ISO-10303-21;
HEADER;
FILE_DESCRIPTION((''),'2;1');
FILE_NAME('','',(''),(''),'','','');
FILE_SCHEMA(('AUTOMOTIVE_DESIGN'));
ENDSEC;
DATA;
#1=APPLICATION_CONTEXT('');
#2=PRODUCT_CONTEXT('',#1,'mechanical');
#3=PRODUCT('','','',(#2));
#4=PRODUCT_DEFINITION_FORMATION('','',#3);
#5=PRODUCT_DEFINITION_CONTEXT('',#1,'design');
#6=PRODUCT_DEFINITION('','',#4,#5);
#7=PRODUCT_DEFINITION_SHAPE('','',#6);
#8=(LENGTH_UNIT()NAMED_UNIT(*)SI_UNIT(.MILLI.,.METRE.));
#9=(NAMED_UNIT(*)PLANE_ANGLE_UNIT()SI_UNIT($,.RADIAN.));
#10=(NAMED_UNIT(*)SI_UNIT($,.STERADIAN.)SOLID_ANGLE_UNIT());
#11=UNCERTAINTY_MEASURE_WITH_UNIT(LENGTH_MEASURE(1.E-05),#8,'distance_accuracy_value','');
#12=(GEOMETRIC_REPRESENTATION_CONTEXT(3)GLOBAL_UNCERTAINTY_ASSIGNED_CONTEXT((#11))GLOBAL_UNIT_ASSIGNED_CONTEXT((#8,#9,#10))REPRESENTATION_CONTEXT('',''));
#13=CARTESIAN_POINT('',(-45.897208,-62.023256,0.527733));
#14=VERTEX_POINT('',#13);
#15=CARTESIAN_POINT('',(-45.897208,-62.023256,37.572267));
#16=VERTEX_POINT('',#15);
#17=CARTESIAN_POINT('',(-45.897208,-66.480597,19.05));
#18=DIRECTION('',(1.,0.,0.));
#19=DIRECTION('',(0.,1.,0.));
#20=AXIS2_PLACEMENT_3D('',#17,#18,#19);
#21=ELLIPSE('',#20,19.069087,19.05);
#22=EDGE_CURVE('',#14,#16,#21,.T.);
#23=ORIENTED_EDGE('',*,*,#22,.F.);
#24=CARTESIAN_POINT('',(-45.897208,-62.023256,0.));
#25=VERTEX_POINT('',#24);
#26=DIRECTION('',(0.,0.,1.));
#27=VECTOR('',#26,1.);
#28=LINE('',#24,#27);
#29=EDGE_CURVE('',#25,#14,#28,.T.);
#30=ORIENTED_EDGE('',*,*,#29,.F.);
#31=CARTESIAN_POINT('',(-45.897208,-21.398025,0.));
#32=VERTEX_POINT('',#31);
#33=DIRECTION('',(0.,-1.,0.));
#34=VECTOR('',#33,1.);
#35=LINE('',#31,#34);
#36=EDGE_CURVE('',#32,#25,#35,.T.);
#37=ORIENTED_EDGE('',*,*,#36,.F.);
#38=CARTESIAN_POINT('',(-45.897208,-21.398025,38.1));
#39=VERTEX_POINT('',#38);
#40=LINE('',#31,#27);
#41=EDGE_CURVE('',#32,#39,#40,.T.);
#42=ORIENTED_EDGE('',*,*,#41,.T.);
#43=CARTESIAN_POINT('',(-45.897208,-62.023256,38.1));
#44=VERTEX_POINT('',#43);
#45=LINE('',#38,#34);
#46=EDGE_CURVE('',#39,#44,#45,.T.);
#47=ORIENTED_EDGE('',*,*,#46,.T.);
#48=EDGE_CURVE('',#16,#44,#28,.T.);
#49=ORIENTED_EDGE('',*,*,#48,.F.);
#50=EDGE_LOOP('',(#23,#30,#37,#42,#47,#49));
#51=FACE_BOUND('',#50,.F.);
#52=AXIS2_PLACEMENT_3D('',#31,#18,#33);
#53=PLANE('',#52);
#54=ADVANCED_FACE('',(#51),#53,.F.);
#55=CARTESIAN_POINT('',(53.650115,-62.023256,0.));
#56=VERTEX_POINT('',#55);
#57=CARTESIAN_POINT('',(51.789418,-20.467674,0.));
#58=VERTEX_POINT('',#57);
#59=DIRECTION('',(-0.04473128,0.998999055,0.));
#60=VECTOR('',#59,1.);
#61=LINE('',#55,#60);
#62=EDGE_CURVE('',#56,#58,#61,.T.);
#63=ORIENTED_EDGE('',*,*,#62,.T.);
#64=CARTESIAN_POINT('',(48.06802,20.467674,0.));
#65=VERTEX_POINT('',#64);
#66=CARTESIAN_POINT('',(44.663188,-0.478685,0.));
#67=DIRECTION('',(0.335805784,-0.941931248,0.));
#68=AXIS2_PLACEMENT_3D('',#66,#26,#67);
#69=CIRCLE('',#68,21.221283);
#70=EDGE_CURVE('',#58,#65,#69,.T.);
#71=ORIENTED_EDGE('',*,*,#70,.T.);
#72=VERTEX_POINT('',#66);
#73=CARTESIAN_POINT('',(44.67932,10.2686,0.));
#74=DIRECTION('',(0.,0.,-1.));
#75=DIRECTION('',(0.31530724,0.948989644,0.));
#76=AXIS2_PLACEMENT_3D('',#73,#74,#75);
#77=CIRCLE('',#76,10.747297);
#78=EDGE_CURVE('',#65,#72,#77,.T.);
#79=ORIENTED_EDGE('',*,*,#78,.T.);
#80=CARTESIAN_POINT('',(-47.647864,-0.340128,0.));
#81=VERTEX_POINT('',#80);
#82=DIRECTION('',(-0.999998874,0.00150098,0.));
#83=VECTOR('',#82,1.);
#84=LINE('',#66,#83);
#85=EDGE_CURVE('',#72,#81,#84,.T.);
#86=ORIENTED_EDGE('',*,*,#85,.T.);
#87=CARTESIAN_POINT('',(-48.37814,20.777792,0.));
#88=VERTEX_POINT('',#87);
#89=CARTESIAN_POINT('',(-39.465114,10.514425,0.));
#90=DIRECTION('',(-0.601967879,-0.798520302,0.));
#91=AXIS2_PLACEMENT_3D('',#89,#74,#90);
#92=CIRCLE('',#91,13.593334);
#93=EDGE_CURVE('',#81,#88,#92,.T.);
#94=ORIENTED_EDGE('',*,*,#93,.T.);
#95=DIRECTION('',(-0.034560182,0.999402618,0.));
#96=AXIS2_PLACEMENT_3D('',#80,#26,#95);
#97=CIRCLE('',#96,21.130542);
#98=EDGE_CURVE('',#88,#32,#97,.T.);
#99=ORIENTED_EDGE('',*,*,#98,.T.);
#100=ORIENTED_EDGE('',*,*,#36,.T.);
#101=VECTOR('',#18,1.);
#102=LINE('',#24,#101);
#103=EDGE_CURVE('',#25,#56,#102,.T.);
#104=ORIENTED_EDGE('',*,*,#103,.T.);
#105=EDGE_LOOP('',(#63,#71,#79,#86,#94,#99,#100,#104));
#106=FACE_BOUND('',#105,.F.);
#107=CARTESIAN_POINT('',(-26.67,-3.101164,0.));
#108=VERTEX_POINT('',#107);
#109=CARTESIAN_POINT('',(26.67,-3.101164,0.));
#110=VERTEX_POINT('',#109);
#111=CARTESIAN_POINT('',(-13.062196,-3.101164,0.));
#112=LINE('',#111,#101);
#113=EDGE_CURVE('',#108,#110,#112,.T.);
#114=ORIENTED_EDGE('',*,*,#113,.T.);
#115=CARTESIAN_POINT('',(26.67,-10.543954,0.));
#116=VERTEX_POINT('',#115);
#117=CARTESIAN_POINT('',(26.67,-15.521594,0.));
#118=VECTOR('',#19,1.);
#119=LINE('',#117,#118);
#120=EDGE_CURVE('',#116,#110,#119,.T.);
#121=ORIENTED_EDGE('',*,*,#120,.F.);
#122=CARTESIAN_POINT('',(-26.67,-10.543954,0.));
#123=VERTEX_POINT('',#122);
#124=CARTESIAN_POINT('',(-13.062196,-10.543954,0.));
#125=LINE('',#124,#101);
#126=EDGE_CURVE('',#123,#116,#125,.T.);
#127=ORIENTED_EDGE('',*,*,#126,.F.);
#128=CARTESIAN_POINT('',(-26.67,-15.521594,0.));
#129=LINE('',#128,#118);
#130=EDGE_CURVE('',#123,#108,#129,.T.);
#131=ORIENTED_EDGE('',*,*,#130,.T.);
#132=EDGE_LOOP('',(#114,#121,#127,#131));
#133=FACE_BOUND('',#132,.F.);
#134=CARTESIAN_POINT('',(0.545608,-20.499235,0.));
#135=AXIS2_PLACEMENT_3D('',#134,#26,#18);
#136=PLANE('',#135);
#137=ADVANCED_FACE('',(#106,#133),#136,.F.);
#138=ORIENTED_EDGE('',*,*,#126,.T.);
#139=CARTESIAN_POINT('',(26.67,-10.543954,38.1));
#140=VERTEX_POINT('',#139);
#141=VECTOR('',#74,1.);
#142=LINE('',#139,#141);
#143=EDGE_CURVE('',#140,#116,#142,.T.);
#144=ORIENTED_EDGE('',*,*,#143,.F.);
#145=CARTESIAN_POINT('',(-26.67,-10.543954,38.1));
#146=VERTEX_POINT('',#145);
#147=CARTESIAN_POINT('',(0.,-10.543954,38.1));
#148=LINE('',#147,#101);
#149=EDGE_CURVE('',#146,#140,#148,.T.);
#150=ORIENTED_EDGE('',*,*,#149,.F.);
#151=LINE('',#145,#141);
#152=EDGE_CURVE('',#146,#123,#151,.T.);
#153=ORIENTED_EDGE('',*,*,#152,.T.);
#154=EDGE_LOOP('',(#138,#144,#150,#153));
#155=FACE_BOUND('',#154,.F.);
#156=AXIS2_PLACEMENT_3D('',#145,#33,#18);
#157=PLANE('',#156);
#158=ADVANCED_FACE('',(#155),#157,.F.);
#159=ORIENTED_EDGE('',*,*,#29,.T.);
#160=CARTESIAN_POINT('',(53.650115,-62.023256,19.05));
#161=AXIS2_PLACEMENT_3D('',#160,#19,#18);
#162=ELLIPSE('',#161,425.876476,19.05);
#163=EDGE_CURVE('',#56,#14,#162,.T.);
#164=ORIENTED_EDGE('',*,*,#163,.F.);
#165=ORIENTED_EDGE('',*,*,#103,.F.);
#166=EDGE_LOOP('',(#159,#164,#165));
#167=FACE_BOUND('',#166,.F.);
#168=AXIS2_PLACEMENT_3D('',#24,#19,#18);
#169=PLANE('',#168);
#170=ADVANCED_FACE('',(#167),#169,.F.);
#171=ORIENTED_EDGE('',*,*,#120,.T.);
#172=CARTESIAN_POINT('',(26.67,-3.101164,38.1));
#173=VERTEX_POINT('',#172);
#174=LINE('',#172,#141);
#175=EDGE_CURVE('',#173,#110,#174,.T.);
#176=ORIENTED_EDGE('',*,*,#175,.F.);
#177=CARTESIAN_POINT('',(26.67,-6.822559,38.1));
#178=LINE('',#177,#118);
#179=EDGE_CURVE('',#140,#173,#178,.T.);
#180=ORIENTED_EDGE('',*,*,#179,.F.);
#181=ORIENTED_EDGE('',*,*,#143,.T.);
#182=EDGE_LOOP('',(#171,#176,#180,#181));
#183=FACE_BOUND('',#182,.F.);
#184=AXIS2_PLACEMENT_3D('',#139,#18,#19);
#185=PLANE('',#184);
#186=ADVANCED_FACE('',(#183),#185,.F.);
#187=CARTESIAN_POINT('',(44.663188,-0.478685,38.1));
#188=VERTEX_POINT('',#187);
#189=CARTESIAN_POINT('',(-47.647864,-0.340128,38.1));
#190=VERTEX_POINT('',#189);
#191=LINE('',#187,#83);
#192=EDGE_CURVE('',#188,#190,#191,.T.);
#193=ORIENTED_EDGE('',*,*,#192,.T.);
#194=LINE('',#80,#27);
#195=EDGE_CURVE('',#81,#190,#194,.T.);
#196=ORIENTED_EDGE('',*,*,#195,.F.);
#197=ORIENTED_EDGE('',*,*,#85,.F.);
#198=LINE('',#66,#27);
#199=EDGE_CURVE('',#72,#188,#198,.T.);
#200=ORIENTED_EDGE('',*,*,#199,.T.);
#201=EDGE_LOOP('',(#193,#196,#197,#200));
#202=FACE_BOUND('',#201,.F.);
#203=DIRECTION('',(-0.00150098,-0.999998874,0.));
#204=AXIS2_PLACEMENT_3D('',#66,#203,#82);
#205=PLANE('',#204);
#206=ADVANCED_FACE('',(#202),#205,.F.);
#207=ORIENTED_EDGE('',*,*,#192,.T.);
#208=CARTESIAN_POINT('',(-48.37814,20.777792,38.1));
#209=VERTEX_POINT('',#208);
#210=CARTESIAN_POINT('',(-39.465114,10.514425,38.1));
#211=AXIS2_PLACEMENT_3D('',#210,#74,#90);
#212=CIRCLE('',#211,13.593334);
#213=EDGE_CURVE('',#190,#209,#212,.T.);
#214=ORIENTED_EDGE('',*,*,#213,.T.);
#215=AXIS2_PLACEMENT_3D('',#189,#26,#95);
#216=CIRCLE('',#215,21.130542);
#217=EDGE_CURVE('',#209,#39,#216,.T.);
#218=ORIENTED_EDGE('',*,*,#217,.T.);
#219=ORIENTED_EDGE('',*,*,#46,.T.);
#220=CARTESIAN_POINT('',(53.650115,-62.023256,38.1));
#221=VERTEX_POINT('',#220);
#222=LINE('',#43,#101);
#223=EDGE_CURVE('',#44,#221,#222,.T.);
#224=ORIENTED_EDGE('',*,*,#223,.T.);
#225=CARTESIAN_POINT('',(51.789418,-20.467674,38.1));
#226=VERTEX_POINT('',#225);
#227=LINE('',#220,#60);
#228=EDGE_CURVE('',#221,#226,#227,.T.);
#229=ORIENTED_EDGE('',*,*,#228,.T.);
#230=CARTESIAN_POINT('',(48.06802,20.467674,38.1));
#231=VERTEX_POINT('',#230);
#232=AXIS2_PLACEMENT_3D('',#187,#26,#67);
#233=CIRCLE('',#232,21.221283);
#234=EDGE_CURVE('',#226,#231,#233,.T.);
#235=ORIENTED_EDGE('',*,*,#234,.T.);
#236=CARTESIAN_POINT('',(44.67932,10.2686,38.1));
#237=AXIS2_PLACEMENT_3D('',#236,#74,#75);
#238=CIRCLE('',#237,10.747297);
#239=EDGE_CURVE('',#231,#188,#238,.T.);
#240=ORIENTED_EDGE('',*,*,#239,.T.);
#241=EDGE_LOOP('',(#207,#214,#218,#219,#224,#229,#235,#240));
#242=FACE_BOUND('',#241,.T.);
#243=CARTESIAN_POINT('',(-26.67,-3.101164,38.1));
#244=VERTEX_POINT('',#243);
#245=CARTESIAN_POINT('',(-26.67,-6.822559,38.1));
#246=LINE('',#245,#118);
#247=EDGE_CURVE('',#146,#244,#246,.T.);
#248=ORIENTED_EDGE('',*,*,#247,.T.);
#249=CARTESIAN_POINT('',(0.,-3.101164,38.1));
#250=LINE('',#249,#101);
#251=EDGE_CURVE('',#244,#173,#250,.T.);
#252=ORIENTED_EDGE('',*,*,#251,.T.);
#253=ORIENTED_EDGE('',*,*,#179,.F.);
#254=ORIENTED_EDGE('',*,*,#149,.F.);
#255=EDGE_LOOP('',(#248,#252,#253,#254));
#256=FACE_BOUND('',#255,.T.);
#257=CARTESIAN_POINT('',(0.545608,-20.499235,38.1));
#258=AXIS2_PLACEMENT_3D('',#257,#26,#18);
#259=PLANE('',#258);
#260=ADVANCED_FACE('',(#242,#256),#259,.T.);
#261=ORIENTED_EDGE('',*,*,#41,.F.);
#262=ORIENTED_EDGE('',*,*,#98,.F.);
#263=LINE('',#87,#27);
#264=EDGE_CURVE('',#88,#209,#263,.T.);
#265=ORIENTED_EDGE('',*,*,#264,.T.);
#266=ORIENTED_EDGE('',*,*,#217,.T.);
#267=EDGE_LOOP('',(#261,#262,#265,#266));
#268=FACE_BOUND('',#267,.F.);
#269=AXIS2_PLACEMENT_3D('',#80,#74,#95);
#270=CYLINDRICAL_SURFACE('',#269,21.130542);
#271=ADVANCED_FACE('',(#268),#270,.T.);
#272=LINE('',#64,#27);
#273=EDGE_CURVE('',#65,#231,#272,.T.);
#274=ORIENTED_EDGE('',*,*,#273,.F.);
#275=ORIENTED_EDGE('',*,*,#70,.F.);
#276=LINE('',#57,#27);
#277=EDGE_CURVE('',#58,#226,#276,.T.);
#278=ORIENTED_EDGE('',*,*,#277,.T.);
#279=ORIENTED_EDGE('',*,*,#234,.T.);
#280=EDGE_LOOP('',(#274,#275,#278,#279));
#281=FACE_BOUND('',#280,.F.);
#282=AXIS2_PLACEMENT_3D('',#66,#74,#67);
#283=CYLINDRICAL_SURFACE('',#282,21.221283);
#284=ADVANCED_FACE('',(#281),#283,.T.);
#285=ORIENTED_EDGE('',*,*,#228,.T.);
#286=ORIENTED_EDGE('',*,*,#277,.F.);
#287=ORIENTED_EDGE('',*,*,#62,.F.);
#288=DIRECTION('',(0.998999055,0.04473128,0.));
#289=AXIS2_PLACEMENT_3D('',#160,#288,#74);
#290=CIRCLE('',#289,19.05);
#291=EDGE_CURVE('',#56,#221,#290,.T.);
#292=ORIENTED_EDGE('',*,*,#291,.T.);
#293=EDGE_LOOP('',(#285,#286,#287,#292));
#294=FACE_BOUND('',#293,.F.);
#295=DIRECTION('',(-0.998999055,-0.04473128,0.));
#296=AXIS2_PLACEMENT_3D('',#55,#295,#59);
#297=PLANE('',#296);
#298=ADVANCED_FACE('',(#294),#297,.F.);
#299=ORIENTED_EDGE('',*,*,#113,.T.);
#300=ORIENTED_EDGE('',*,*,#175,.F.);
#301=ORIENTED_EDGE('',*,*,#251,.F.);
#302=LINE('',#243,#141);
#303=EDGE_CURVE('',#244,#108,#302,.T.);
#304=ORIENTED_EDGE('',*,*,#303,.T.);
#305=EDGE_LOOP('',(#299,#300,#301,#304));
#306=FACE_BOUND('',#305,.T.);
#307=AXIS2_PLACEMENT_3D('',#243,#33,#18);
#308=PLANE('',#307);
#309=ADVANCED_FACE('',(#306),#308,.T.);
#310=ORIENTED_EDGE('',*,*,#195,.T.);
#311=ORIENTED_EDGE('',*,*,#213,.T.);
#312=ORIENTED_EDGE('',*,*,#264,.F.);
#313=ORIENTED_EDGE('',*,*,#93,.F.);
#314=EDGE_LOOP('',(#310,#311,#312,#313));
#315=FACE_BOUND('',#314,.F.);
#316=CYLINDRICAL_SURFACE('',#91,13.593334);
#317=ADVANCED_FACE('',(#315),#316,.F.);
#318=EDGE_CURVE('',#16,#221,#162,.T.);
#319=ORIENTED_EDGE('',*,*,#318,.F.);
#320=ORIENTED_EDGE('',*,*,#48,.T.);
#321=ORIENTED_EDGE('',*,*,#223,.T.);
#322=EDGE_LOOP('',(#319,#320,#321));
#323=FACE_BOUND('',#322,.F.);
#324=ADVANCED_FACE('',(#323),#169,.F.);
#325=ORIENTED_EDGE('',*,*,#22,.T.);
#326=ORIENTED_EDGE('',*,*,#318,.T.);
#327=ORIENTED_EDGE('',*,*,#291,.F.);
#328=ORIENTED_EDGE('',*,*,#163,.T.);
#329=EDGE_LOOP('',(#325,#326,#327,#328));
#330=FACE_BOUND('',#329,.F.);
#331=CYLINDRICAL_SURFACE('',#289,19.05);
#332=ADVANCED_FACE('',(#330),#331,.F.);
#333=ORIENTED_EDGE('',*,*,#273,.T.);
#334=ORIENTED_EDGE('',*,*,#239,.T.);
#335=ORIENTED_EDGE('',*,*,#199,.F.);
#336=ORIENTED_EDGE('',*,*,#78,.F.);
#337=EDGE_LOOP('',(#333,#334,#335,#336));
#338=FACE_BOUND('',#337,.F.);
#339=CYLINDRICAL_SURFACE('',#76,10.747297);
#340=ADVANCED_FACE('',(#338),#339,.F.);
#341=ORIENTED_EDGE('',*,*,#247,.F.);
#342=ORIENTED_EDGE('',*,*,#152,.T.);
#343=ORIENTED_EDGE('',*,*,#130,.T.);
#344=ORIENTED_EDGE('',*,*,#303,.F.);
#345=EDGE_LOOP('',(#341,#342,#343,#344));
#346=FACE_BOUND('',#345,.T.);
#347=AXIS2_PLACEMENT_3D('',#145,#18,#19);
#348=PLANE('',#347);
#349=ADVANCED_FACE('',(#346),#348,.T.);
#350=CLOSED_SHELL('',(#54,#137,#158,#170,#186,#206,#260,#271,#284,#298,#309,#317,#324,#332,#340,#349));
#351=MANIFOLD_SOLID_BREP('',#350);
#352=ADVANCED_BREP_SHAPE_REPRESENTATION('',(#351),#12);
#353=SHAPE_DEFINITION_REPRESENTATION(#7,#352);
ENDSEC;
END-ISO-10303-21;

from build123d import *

# Parameters (mm, degrees)
F1_DEPTH = 38.1
F3_DEPTH = 152.4
F4_W     = 53.3399991691
F4_H     = 7.4427900836
F5_DEPTH = 152.4


with BuildPart() as f1:
    # F0 (on Top) → F1 (new body)
    with BuildSketch(Plane.XY):
        with BuildLine():
            ThreePointArc((-47.6478643498, -0.3401276624), (-53.0503273428, 10.0446370996), (-48.3781397343, 20.7777917385))
            ThreePointArc((-48.3781397343, 20.7777917385), (-68.74194328, -1.5809564376), (-45.8972081542, -21.3980246335))
            Line((-45.8972081542, -21.3980246335), (-45.8972081542, -62.0232559741))
            Line((-45.8972081542, -62.0232559741), (53.6501146853, -62.0232559741))
            Line((53.6501146853, -62.0232559741), (51.7894178629, -20.4676743597))
            ThreePointArc((51.7894178629, -20.4676743597), (65.7973197018, 1.4426008353), (48.0680204928, 20.4676743597))
            ThreePointArc((48.0680204928, 20.4676743597), (55.2873850052, 8.5442586778), (44.6631883311, -0.4786848838))
            Line((44.6631883311, -0.4786848838), (-47.6478643498, -0.3401276624))
        make_face()
    extrude(amount=F1_DEPTH)

    # F2 (on face) → F3 (cut)
    with BuildSketch(Plane(origin=(50.7711641994, 2.2733346575, 0), x_dir=(-0.0447312803, 0.9989990553, 0), z_dir=(0.9989990553, 0.0447312803, 0))):
        with BuildLine():
            Line((-64.3610124434, 38.1), (-64.3610124434, 0))
            ThreePointArc((-64.3610124434, 0), (-45.3110124434, 19.05), (-64.3610124434, 38.1))
        make_face()
    extrude(amount=-F3_DEPTH, mode=Mode.SUBTRACT)

    # F4 (on face) → F5 (cut)
    with BuildSketch(Plane.XY.offset(38.1)):
        with Locations((0, -6.8225585856)):
            Rectangle(F4_W, F4_H)
    extrude(amount=-F5_DEPTH, mode=Mode.SUBTRACT)


solid = f1.part
